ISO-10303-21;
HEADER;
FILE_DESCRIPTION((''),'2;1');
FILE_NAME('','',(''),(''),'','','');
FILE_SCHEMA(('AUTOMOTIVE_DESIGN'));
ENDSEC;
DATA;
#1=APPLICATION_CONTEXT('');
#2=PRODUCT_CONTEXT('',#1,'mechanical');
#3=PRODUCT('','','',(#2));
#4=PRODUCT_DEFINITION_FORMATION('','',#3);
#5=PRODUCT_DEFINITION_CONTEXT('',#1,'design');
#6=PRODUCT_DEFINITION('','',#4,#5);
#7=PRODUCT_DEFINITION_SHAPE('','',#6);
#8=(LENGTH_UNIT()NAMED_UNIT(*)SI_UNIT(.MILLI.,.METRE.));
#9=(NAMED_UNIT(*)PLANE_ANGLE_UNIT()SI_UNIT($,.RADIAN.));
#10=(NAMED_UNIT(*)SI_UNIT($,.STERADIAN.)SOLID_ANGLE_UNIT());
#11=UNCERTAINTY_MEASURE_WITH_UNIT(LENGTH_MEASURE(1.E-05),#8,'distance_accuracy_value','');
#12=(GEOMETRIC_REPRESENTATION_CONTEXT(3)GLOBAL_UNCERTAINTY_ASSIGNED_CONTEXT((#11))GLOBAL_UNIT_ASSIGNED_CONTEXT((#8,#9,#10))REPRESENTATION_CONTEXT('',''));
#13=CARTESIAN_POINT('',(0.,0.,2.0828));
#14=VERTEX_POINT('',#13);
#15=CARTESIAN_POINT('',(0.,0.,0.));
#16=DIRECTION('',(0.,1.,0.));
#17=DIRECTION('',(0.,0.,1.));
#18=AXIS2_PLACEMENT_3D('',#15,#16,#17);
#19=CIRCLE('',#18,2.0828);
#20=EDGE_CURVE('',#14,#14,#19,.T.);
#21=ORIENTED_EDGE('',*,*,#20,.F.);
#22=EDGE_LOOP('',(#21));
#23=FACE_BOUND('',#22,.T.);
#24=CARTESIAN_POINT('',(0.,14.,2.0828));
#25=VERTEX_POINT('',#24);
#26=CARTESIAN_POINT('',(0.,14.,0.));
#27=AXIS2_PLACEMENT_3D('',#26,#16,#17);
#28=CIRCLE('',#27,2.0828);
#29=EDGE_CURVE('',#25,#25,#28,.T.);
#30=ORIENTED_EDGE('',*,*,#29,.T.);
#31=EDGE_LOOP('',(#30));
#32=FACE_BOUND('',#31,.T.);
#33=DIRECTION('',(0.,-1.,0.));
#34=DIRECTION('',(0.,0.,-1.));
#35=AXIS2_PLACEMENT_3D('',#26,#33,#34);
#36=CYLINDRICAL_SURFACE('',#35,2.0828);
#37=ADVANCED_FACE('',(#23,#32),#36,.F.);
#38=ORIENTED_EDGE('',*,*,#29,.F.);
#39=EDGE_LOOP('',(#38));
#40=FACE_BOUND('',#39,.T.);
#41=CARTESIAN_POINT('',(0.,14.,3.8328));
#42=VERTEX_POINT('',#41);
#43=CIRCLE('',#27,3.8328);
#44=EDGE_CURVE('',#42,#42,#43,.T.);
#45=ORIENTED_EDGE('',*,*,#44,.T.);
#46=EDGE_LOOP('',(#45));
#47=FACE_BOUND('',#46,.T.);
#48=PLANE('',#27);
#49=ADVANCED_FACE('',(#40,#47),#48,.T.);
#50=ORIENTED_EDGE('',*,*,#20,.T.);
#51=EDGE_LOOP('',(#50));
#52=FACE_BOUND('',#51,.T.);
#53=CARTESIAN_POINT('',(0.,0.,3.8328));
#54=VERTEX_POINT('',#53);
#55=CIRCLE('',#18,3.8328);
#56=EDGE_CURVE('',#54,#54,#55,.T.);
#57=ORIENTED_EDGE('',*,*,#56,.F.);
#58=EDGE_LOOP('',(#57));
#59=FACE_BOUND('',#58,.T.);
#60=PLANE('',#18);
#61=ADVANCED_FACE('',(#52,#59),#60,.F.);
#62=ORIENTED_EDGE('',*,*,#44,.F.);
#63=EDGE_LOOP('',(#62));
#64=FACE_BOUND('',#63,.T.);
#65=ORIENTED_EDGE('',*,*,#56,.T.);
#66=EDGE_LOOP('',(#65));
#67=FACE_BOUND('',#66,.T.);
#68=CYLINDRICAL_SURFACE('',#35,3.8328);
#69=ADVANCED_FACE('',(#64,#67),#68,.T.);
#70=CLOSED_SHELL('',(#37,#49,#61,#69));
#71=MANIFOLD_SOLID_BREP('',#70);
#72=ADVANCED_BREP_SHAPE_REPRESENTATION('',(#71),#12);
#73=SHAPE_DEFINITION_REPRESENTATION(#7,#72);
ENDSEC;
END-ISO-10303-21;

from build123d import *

# Parameters (mm, degrees)
SKETCH1_R           = 3.8328
SKETCH1_R_2         = 2.0828
BOSS_EXTRUDE1_DEPTH = 14


with BuildPart() as part:
    # Sketch1 → Boss-Extrude1 (new body)
    with BuildSketch(Plane(origin=(0, 0, 0), x_dir=(1, 0, 0), z_dir=(0, 1, 0))):
        with Locations(Location((0, 0, 0), (0, 0, 270))):
            Circle(SKETCH1_R)
        with Locations(Location((0, 0, 0), (0, 0, 270))):
            Circle(SKETCH1_R_2, mode=Mode.SUBTRACT)
    extrude(amount=BOSS_EXTRUDE1_DEPTH)


solid = part.part
